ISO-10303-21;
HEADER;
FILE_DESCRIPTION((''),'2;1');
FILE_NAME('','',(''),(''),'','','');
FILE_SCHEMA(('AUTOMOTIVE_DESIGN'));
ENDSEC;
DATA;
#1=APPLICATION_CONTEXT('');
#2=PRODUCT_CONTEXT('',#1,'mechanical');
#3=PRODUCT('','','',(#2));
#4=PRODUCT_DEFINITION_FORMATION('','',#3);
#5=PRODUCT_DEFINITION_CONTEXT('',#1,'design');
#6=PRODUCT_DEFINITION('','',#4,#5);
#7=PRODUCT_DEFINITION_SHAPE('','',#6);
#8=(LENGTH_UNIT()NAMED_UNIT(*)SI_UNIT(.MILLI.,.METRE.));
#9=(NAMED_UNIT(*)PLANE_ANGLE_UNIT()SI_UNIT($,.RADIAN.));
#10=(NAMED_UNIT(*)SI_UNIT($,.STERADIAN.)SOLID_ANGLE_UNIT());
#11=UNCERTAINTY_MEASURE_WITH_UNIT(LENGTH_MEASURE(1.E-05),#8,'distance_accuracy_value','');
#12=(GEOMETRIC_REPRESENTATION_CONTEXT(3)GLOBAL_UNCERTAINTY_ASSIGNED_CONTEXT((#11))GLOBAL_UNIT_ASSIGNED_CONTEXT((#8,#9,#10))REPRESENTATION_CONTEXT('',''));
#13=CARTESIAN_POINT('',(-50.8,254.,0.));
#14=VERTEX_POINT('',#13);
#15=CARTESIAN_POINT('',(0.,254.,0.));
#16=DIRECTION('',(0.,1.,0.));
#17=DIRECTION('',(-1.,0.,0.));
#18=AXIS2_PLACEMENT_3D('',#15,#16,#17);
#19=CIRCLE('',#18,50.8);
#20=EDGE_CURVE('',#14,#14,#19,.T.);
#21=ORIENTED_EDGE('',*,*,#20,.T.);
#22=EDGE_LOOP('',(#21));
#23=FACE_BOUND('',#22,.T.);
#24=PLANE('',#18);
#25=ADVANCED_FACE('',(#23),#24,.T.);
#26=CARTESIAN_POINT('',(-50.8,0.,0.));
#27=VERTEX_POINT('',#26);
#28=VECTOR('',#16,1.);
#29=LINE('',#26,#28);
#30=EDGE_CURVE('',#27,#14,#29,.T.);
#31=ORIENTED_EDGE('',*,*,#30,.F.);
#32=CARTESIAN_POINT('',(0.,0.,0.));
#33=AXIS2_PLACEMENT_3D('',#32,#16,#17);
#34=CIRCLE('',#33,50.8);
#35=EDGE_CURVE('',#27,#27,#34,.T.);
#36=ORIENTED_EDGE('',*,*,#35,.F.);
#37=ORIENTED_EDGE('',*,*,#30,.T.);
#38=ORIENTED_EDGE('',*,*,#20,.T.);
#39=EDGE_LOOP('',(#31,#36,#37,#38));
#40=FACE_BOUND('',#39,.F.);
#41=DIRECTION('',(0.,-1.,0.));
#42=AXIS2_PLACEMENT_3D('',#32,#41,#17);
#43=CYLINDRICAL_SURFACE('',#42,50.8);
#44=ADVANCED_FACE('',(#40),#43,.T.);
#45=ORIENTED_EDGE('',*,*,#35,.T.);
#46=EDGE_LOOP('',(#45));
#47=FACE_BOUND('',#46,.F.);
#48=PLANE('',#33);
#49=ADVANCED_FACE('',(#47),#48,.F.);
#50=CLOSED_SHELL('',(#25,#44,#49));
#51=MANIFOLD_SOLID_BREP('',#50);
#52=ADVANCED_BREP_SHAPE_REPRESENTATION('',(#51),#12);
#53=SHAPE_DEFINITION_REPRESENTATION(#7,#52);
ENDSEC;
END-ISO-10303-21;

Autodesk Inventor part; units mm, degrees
ref_plane "YZ Plane" through (0, 0, 0) normal (1, 0, 0) x (0, 1, 0)
ref_plane "XZ Plane" through (0, 0, 0) normal (0, 1, 0) x (-1, 0, 0)
ref_plane "XY Plane" through (0, 0, 0) normal (0, 0, 1) x (1, 0, 0)
sketch "Sketch1" plane through (0, 0, 0) normal (0, 1, 0) x (-1, 0, 0)
  line L0 (700, 0) -> (-700, 0) construction
  line L1 (0, -700) -> (0, 700) construction
  circle A0 centre (0, 0) radius 50.8
  dimension "d0" = 101.6
extrude "Extrusion1" add sketch "Sketch1" along normal blind 254
equation "\"d0\" = Dia"
equation "\"d1\" = Height"
equation "\"Dia\" = 101.6"
equation "\"Height\" = 254"
properties part number "Cylinder-sizing (plug-demo2)"
